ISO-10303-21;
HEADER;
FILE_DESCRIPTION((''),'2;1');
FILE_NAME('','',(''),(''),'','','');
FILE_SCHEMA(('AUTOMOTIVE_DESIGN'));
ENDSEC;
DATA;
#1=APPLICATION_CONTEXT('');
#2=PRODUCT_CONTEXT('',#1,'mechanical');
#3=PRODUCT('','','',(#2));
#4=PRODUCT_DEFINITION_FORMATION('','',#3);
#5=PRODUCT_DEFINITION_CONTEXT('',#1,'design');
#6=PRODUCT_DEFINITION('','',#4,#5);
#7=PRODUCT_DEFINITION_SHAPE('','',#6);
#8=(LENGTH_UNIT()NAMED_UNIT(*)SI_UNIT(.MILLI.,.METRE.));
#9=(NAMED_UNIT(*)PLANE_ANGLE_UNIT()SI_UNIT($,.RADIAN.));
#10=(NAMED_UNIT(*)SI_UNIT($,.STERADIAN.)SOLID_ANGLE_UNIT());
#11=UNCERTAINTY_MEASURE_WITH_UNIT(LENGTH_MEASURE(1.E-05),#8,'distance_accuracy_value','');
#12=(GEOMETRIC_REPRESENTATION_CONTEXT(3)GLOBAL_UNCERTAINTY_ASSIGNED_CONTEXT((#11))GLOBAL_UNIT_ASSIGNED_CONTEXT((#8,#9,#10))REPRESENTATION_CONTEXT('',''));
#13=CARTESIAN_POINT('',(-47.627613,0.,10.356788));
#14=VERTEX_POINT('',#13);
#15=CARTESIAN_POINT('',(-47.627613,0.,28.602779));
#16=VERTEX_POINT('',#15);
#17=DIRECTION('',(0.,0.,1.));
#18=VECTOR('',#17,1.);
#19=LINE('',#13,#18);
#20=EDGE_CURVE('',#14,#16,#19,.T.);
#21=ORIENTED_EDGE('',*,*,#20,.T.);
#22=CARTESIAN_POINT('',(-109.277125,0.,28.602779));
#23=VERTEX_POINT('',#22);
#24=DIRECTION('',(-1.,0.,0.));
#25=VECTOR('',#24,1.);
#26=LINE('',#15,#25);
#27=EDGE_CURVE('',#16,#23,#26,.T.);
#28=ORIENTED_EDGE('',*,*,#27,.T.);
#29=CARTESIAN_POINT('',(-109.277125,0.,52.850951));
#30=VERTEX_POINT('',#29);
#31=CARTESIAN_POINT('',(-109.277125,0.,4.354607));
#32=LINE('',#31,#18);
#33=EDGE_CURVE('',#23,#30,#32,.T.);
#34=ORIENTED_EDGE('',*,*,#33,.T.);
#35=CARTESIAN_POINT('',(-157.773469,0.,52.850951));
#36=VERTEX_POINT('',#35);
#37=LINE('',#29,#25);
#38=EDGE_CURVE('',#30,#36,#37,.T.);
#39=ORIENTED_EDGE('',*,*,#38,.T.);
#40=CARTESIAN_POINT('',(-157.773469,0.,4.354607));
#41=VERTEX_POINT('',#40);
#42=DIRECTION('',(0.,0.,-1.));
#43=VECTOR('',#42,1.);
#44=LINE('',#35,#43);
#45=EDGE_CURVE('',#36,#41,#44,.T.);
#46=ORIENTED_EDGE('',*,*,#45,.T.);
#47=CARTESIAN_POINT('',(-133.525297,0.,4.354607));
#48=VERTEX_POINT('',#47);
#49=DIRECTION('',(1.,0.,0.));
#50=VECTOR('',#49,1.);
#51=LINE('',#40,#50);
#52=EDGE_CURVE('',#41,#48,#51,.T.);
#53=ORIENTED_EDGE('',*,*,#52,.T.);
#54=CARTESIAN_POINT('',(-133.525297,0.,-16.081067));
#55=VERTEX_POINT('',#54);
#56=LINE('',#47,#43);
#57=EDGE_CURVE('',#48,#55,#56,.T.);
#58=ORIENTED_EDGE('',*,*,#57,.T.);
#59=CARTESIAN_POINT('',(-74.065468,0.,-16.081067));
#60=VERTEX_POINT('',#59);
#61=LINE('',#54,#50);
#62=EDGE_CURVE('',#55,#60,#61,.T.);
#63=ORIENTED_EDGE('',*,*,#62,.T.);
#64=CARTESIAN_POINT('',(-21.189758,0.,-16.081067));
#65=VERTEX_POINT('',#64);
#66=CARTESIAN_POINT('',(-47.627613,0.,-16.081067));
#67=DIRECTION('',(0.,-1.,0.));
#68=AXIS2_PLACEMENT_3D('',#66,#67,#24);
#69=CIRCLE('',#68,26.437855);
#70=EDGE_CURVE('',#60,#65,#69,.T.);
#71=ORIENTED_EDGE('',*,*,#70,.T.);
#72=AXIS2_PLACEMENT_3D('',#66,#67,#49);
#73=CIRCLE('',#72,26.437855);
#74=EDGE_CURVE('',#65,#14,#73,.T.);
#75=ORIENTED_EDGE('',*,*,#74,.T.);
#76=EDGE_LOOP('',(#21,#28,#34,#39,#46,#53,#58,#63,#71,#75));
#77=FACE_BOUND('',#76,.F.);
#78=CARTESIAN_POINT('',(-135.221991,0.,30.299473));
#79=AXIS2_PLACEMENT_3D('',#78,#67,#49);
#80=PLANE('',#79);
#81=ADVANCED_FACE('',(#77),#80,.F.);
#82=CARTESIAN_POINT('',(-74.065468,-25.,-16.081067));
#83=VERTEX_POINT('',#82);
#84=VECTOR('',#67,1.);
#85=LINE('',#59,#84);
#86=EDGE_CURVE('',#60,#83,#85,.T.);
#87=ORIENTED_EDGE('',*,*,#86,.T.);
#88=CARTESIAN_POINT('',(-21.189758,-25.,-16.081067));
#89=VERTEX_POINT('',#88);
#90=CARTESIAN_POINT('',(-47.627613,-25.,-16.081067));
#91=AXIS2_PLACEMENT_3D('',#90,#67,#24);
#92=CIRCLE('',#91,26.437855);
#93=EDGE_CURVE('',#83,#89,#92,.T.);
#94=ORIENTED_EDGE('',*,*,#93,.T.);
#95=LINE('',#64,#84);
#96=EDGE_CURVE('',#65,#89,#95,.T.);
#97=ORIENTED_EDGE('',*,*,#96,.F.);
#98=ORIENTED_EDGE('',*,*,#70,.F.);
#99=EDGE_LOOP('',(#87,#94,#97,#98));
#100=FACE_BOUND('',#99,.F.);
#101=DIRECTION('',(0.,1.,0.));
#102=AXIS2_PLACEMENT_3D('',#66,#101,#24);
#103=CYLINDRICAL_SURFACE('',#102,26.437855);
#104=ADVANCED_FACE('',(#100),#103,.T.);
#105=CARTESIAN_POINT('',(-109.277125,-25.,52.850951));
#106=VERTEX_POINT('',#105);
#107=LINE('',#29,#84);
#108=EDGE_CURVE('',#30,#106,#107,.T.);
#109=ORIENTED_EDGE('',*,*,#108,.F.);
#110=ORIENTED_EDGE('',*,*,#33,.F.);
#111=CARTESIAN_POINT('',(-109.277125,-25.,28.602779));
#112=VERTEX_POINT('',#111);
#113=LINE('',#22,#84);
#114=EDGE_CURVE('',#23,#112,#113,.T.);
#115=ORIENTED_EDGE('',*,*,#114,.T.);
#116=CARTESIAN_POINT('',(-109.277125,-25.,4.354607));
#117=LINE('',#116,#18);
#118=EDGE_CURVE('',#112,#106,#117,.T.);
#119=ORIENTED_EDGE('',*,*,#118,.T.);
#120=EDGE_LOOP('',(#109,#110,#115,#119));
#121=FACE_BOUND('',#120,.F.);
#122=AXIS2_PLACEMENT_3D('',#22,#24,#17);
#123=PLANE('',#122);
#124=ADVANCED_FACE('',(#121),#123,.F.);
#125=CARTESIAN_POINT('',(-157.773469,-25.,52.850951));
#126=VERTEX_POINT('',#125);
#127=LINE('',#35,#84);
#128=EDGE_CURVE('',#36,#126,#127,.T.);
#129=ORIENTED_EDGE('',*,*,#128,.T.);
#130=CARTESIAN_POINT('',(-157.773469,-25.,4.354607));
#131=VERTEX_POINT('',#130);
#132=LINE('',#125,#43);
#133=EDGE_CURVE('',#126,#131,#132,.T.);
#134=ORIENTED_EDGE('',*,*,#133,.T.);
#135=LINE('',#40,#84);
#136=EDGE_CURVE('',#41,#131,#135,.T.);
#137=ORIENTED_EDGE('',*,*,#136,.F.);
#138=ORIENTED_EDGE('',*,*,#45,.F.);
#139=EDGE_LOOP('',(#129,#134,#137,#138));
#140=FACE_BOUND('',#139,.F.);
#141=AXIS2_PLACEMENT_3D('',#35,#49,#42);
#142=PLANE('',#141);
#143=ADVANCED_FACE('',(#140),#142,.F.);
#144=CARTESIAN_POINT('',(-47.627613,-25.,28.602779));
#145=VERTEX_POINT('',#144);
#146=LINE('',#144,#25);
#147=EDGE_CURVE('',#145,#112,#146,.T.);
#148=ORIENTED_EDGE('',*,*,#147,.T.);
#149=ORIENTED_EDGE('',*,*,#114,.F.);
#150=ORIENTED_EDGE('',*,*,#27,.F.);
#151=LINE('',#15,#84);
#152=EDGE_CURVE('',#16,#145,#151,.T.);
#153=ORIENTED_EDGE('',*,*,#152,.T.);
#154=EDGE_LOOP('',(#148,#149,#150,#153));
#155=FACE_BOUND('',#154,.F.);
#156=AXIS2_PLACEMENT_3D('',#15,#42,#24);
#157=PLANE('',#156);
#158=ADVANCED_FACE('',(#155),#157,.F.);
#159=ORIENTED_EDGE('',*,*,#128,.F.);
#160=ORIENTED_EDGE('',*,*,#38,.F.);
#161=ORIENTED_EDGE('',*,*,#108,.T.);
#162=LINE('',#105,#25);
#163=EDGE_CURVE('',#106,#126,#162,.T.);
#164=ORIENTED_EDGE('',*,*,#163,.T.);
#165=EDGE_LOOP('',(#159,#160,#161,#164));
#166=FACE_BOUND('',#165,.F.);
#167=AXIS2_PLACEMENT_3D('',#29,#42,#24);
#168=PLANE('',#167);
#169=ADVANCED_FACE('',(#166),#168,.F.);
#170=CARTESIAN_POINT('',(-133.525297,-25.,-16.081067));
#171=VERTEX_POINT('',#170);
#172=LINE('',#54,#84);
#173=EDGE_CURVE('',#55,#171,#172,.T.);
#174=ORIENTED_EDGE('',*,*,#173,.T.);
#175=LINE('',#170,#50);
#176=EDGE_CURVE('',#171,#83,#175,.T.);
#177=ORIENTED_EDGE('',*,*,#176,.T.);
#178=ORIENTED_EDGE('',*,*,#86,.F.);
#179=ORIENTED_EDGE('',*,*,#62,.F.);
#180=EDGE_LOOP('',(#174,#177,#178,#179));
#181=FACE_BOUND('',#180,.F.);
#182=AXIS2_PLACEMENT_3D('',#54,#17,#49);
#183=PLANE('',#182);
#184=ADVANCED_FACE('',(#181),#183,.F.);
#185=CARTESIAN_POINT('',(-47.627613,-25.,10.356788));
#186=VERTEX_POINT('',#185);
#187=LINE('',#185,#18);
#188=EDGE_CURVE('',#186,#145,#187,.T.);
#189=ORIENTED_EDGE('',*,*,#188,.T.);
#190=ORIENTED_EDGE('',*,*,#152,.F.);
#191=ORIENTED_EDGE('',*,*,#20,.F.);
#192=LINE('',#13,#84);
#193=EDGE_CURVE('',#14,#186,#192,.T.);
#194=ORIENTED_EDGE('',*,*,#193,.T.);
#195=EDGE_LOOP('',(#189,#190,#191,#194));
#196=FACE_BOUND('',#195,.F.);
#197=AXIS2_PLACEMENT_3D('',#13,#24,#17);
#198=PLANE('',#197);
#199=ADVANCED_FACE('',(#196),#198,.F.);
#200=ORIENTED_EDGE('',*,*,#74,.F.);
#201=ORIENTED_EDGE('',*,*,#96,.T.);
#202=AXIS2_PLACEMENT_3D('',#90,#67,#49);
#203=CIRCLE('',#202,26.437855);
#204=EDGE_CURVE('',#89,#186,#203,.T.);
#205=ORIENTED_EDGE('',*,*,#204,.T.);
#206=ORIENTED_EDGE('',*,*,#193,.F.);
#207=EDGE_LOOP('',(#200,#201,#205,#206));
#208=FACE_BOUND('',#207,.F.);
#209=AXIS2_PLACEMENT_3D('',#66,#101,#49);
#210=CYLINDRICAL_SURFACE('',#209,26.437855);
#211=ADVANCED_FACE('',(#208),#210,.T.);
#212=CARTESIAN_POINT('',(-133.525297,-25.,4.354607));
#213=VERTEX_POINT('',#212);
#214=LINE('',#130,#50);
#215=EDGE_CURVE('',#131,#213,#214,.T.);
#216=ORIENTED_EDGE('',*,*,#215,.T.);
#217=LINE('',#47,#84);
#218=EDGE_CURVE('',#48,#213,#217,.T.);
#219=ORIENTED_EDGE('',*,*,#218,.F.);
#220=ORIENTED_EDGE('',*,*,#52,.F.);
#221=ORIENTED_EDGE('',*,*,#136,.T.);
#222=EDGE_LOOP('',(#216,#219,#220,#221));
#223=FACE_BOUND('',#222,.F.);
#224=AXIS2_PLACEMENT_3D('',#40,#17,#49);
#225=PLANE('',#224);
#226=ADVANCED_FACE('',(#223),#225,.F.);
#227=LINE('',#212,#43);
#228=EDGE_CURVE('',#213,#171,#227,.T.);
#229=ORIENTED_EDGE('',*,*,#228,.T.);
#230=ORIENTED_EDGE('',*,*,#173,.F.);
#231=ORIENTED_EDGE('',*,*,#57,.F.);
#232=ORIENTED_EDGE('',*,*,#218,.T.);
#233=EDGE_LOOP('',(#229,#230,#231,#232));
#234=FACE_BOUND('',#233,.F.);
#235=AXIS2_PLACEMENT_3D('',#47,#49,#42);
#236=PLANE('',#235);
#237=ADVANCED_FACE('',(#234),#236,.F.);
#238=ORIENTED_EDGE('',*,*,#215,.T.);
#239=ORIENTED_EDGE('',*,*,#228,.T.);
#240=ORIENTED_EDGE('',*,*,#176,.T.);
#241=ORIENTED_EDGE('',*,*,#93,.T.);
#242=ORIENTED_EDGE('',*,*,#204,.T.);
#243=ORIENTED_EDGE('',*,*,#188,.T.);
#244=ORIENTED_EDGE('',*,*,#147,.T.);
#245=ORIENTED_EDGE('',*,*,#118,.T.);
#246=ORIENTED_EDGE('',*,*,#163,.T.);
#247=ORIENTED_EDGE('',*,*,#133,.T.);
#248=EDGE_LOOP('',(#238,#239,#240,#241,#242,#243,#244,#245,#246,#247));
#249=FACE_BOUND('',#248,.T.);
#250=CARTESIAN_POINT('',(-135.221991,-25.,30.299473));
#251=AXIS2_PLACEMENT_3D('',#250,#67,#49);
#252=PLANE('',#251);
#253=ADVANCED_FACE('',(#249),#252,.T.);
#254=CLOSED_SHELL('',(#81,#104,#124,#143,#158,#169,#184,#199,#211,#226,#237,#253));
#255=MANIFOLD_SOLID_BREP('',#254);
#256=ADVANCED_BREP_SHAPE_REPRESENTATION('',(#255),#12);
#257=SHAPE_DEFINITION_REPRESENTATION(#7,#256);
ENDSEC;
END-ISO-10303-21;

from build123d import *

# Parameters (mm, degrees)
F1_DEPTH = 25


with BuildPart() as f1:
    # F0 (on Front) → F1 (new body)
    with BuildSketch(Plane.XZ):
        with BuildLine():
            Line((-133.5252970457, 4.3546073139), (-133.5252970457, 28.6027789116))
            Line((-133.5252970457, 28.6027789116), (-109.277125448, 28.6027789116))
            ThreePointArc((-109.277125448, 28.6027789116), (-116.3792504776, 45.7488254797), (-133.5252970457, 52.8509505093))
            ThreePointArc((-133.5252970457, 52.8509505093), (-150.6713436138, 45.7488254797), (-157.7734686434, 28.6027789116))
            ThreePointArc((-157.7734686434, 28.6027789116), (-150.6713436138, 11.4567323435), (-133.5252970457, 4.3546073139))
        make_face()
        with BuildLine():
            Line((-109.277125448, 28.6027789116), (-133.5252970457, 28.6027789116))
            Line((-133.5252970457, 28.6027789116), (-133.5252970457, 4.3546073139))
            ThreePointArc((-133.5252970457, 4.3546073139), (-116.3792504776, 11.4567323435), (-109.277125448, 28.6027789116))
        make_face()
        with BuildLine():
            Line((-109.277125448, 4.3546073139), (-109.277125448, 28.6027789116))
            ThreePointArc((-109.277125448, 28.6027789116), (-116.3792504776, 11.4567323435), (-133.5252970457, 4.3546073139))
            Line((-133.5252970457, 4.3546073139), (-109.277125448, 4.3546073139))
        make_face()
        with BuildLine():
            ThreePointArc((-133.5252970457, 52.8509505093), (-116.3792504776, 45.7488254797), (-109.277125448, 28.6027789116))
            Line((-109.277125448, 28.6027789116), (-109.277125448, 52.8509505093))
            Line((-109.277125448, 52.8509505093), (-133.5252970457, 52.8509505093))
        make_face()
        with BuildLine():
            Line((-47.6276129484, 28.6027789116), (-109.277125448, 28.6027789116))
            Line((-109.277125448, 28.6027789116), (-109.277125448, 4.3546073139))
            Line((-109.277125448, 4.3546073139), (-133.5252970457, 4.3546073139))
            Line((-133.5252970457, 4.3546073139), (-133.5252970457, -16.0810668021))
            Line((-133.5252970457, -16.0810668021), (-74.0654676669, -16.0810668021))
            ThreePointArc((-74.0654676669, -16.0810668021), (-66.3219992999, 2.6133195493), (-47.6276129484, 10.3567879163))
            Line((-47.6276129484, 10.3567879163), (-47.6276129484, 28.6027789116))
        make_face()
        with BuildLine():
            Line((-157.7734686434, 4.3546073139), (-133.5252970457, 4.3546073139))
            ThreePointArc((-133.5252970457, 4.3546073139), (-150.6713436138, 11.4567323435), (-157.7734686434, 28.6027789116))
            Line((-157.7734686434, 28.6027789116), (-157.7734686434, 4.3546073139))
        make_face()
        with BuildLine():
            ThreePointArc((-157.7734686434, 28.6027789116), (-150.6713436138, 45.7488254797), (-133.5252970457, 52.8509505093))
            Line((-133.5252970457, 52.8509505093), (-157.7734686434, 52.8509505093))
            Line((-157.7734686434, 52.8509505093), (-157.7734686434, 28.6027789116))
        make_face()
        with BuildLine():
            ThreePointArc((-21.18975823, -16.0810668021), (-28.933226597, 2.6133195493), (-47.6276129484, 10.3567879163))
            Line((-47.6276129484, 10.3567879163), (-47.6276129484, -16.0810668021))
            Line((-47.6276129484, -16.0810668021), (-74.0654676669, -16.0810668021))
            ThreePointArc((-74.0654676669, -16.0810668021), (-47.6276129484, -42.5189215206), (-21.18975823, -16.0810668021))
        make_face()
        with BuildLine():
            Line((-47.6276129484, -16.0810668021), (-47.6276129484, 10.3567879163))
            ThreePointArc((-47.6276129484, 10.3567879163), (-66.3219992999, 2.6133195493), (-74.0654676669, -16.0810668021))
            Line((-74.0654676669, -16.0810668021), (-47.6276129484, -16.0810668021))
        make_face()
    extrude(amount=F1_DEPTH)


solid = f1.part
